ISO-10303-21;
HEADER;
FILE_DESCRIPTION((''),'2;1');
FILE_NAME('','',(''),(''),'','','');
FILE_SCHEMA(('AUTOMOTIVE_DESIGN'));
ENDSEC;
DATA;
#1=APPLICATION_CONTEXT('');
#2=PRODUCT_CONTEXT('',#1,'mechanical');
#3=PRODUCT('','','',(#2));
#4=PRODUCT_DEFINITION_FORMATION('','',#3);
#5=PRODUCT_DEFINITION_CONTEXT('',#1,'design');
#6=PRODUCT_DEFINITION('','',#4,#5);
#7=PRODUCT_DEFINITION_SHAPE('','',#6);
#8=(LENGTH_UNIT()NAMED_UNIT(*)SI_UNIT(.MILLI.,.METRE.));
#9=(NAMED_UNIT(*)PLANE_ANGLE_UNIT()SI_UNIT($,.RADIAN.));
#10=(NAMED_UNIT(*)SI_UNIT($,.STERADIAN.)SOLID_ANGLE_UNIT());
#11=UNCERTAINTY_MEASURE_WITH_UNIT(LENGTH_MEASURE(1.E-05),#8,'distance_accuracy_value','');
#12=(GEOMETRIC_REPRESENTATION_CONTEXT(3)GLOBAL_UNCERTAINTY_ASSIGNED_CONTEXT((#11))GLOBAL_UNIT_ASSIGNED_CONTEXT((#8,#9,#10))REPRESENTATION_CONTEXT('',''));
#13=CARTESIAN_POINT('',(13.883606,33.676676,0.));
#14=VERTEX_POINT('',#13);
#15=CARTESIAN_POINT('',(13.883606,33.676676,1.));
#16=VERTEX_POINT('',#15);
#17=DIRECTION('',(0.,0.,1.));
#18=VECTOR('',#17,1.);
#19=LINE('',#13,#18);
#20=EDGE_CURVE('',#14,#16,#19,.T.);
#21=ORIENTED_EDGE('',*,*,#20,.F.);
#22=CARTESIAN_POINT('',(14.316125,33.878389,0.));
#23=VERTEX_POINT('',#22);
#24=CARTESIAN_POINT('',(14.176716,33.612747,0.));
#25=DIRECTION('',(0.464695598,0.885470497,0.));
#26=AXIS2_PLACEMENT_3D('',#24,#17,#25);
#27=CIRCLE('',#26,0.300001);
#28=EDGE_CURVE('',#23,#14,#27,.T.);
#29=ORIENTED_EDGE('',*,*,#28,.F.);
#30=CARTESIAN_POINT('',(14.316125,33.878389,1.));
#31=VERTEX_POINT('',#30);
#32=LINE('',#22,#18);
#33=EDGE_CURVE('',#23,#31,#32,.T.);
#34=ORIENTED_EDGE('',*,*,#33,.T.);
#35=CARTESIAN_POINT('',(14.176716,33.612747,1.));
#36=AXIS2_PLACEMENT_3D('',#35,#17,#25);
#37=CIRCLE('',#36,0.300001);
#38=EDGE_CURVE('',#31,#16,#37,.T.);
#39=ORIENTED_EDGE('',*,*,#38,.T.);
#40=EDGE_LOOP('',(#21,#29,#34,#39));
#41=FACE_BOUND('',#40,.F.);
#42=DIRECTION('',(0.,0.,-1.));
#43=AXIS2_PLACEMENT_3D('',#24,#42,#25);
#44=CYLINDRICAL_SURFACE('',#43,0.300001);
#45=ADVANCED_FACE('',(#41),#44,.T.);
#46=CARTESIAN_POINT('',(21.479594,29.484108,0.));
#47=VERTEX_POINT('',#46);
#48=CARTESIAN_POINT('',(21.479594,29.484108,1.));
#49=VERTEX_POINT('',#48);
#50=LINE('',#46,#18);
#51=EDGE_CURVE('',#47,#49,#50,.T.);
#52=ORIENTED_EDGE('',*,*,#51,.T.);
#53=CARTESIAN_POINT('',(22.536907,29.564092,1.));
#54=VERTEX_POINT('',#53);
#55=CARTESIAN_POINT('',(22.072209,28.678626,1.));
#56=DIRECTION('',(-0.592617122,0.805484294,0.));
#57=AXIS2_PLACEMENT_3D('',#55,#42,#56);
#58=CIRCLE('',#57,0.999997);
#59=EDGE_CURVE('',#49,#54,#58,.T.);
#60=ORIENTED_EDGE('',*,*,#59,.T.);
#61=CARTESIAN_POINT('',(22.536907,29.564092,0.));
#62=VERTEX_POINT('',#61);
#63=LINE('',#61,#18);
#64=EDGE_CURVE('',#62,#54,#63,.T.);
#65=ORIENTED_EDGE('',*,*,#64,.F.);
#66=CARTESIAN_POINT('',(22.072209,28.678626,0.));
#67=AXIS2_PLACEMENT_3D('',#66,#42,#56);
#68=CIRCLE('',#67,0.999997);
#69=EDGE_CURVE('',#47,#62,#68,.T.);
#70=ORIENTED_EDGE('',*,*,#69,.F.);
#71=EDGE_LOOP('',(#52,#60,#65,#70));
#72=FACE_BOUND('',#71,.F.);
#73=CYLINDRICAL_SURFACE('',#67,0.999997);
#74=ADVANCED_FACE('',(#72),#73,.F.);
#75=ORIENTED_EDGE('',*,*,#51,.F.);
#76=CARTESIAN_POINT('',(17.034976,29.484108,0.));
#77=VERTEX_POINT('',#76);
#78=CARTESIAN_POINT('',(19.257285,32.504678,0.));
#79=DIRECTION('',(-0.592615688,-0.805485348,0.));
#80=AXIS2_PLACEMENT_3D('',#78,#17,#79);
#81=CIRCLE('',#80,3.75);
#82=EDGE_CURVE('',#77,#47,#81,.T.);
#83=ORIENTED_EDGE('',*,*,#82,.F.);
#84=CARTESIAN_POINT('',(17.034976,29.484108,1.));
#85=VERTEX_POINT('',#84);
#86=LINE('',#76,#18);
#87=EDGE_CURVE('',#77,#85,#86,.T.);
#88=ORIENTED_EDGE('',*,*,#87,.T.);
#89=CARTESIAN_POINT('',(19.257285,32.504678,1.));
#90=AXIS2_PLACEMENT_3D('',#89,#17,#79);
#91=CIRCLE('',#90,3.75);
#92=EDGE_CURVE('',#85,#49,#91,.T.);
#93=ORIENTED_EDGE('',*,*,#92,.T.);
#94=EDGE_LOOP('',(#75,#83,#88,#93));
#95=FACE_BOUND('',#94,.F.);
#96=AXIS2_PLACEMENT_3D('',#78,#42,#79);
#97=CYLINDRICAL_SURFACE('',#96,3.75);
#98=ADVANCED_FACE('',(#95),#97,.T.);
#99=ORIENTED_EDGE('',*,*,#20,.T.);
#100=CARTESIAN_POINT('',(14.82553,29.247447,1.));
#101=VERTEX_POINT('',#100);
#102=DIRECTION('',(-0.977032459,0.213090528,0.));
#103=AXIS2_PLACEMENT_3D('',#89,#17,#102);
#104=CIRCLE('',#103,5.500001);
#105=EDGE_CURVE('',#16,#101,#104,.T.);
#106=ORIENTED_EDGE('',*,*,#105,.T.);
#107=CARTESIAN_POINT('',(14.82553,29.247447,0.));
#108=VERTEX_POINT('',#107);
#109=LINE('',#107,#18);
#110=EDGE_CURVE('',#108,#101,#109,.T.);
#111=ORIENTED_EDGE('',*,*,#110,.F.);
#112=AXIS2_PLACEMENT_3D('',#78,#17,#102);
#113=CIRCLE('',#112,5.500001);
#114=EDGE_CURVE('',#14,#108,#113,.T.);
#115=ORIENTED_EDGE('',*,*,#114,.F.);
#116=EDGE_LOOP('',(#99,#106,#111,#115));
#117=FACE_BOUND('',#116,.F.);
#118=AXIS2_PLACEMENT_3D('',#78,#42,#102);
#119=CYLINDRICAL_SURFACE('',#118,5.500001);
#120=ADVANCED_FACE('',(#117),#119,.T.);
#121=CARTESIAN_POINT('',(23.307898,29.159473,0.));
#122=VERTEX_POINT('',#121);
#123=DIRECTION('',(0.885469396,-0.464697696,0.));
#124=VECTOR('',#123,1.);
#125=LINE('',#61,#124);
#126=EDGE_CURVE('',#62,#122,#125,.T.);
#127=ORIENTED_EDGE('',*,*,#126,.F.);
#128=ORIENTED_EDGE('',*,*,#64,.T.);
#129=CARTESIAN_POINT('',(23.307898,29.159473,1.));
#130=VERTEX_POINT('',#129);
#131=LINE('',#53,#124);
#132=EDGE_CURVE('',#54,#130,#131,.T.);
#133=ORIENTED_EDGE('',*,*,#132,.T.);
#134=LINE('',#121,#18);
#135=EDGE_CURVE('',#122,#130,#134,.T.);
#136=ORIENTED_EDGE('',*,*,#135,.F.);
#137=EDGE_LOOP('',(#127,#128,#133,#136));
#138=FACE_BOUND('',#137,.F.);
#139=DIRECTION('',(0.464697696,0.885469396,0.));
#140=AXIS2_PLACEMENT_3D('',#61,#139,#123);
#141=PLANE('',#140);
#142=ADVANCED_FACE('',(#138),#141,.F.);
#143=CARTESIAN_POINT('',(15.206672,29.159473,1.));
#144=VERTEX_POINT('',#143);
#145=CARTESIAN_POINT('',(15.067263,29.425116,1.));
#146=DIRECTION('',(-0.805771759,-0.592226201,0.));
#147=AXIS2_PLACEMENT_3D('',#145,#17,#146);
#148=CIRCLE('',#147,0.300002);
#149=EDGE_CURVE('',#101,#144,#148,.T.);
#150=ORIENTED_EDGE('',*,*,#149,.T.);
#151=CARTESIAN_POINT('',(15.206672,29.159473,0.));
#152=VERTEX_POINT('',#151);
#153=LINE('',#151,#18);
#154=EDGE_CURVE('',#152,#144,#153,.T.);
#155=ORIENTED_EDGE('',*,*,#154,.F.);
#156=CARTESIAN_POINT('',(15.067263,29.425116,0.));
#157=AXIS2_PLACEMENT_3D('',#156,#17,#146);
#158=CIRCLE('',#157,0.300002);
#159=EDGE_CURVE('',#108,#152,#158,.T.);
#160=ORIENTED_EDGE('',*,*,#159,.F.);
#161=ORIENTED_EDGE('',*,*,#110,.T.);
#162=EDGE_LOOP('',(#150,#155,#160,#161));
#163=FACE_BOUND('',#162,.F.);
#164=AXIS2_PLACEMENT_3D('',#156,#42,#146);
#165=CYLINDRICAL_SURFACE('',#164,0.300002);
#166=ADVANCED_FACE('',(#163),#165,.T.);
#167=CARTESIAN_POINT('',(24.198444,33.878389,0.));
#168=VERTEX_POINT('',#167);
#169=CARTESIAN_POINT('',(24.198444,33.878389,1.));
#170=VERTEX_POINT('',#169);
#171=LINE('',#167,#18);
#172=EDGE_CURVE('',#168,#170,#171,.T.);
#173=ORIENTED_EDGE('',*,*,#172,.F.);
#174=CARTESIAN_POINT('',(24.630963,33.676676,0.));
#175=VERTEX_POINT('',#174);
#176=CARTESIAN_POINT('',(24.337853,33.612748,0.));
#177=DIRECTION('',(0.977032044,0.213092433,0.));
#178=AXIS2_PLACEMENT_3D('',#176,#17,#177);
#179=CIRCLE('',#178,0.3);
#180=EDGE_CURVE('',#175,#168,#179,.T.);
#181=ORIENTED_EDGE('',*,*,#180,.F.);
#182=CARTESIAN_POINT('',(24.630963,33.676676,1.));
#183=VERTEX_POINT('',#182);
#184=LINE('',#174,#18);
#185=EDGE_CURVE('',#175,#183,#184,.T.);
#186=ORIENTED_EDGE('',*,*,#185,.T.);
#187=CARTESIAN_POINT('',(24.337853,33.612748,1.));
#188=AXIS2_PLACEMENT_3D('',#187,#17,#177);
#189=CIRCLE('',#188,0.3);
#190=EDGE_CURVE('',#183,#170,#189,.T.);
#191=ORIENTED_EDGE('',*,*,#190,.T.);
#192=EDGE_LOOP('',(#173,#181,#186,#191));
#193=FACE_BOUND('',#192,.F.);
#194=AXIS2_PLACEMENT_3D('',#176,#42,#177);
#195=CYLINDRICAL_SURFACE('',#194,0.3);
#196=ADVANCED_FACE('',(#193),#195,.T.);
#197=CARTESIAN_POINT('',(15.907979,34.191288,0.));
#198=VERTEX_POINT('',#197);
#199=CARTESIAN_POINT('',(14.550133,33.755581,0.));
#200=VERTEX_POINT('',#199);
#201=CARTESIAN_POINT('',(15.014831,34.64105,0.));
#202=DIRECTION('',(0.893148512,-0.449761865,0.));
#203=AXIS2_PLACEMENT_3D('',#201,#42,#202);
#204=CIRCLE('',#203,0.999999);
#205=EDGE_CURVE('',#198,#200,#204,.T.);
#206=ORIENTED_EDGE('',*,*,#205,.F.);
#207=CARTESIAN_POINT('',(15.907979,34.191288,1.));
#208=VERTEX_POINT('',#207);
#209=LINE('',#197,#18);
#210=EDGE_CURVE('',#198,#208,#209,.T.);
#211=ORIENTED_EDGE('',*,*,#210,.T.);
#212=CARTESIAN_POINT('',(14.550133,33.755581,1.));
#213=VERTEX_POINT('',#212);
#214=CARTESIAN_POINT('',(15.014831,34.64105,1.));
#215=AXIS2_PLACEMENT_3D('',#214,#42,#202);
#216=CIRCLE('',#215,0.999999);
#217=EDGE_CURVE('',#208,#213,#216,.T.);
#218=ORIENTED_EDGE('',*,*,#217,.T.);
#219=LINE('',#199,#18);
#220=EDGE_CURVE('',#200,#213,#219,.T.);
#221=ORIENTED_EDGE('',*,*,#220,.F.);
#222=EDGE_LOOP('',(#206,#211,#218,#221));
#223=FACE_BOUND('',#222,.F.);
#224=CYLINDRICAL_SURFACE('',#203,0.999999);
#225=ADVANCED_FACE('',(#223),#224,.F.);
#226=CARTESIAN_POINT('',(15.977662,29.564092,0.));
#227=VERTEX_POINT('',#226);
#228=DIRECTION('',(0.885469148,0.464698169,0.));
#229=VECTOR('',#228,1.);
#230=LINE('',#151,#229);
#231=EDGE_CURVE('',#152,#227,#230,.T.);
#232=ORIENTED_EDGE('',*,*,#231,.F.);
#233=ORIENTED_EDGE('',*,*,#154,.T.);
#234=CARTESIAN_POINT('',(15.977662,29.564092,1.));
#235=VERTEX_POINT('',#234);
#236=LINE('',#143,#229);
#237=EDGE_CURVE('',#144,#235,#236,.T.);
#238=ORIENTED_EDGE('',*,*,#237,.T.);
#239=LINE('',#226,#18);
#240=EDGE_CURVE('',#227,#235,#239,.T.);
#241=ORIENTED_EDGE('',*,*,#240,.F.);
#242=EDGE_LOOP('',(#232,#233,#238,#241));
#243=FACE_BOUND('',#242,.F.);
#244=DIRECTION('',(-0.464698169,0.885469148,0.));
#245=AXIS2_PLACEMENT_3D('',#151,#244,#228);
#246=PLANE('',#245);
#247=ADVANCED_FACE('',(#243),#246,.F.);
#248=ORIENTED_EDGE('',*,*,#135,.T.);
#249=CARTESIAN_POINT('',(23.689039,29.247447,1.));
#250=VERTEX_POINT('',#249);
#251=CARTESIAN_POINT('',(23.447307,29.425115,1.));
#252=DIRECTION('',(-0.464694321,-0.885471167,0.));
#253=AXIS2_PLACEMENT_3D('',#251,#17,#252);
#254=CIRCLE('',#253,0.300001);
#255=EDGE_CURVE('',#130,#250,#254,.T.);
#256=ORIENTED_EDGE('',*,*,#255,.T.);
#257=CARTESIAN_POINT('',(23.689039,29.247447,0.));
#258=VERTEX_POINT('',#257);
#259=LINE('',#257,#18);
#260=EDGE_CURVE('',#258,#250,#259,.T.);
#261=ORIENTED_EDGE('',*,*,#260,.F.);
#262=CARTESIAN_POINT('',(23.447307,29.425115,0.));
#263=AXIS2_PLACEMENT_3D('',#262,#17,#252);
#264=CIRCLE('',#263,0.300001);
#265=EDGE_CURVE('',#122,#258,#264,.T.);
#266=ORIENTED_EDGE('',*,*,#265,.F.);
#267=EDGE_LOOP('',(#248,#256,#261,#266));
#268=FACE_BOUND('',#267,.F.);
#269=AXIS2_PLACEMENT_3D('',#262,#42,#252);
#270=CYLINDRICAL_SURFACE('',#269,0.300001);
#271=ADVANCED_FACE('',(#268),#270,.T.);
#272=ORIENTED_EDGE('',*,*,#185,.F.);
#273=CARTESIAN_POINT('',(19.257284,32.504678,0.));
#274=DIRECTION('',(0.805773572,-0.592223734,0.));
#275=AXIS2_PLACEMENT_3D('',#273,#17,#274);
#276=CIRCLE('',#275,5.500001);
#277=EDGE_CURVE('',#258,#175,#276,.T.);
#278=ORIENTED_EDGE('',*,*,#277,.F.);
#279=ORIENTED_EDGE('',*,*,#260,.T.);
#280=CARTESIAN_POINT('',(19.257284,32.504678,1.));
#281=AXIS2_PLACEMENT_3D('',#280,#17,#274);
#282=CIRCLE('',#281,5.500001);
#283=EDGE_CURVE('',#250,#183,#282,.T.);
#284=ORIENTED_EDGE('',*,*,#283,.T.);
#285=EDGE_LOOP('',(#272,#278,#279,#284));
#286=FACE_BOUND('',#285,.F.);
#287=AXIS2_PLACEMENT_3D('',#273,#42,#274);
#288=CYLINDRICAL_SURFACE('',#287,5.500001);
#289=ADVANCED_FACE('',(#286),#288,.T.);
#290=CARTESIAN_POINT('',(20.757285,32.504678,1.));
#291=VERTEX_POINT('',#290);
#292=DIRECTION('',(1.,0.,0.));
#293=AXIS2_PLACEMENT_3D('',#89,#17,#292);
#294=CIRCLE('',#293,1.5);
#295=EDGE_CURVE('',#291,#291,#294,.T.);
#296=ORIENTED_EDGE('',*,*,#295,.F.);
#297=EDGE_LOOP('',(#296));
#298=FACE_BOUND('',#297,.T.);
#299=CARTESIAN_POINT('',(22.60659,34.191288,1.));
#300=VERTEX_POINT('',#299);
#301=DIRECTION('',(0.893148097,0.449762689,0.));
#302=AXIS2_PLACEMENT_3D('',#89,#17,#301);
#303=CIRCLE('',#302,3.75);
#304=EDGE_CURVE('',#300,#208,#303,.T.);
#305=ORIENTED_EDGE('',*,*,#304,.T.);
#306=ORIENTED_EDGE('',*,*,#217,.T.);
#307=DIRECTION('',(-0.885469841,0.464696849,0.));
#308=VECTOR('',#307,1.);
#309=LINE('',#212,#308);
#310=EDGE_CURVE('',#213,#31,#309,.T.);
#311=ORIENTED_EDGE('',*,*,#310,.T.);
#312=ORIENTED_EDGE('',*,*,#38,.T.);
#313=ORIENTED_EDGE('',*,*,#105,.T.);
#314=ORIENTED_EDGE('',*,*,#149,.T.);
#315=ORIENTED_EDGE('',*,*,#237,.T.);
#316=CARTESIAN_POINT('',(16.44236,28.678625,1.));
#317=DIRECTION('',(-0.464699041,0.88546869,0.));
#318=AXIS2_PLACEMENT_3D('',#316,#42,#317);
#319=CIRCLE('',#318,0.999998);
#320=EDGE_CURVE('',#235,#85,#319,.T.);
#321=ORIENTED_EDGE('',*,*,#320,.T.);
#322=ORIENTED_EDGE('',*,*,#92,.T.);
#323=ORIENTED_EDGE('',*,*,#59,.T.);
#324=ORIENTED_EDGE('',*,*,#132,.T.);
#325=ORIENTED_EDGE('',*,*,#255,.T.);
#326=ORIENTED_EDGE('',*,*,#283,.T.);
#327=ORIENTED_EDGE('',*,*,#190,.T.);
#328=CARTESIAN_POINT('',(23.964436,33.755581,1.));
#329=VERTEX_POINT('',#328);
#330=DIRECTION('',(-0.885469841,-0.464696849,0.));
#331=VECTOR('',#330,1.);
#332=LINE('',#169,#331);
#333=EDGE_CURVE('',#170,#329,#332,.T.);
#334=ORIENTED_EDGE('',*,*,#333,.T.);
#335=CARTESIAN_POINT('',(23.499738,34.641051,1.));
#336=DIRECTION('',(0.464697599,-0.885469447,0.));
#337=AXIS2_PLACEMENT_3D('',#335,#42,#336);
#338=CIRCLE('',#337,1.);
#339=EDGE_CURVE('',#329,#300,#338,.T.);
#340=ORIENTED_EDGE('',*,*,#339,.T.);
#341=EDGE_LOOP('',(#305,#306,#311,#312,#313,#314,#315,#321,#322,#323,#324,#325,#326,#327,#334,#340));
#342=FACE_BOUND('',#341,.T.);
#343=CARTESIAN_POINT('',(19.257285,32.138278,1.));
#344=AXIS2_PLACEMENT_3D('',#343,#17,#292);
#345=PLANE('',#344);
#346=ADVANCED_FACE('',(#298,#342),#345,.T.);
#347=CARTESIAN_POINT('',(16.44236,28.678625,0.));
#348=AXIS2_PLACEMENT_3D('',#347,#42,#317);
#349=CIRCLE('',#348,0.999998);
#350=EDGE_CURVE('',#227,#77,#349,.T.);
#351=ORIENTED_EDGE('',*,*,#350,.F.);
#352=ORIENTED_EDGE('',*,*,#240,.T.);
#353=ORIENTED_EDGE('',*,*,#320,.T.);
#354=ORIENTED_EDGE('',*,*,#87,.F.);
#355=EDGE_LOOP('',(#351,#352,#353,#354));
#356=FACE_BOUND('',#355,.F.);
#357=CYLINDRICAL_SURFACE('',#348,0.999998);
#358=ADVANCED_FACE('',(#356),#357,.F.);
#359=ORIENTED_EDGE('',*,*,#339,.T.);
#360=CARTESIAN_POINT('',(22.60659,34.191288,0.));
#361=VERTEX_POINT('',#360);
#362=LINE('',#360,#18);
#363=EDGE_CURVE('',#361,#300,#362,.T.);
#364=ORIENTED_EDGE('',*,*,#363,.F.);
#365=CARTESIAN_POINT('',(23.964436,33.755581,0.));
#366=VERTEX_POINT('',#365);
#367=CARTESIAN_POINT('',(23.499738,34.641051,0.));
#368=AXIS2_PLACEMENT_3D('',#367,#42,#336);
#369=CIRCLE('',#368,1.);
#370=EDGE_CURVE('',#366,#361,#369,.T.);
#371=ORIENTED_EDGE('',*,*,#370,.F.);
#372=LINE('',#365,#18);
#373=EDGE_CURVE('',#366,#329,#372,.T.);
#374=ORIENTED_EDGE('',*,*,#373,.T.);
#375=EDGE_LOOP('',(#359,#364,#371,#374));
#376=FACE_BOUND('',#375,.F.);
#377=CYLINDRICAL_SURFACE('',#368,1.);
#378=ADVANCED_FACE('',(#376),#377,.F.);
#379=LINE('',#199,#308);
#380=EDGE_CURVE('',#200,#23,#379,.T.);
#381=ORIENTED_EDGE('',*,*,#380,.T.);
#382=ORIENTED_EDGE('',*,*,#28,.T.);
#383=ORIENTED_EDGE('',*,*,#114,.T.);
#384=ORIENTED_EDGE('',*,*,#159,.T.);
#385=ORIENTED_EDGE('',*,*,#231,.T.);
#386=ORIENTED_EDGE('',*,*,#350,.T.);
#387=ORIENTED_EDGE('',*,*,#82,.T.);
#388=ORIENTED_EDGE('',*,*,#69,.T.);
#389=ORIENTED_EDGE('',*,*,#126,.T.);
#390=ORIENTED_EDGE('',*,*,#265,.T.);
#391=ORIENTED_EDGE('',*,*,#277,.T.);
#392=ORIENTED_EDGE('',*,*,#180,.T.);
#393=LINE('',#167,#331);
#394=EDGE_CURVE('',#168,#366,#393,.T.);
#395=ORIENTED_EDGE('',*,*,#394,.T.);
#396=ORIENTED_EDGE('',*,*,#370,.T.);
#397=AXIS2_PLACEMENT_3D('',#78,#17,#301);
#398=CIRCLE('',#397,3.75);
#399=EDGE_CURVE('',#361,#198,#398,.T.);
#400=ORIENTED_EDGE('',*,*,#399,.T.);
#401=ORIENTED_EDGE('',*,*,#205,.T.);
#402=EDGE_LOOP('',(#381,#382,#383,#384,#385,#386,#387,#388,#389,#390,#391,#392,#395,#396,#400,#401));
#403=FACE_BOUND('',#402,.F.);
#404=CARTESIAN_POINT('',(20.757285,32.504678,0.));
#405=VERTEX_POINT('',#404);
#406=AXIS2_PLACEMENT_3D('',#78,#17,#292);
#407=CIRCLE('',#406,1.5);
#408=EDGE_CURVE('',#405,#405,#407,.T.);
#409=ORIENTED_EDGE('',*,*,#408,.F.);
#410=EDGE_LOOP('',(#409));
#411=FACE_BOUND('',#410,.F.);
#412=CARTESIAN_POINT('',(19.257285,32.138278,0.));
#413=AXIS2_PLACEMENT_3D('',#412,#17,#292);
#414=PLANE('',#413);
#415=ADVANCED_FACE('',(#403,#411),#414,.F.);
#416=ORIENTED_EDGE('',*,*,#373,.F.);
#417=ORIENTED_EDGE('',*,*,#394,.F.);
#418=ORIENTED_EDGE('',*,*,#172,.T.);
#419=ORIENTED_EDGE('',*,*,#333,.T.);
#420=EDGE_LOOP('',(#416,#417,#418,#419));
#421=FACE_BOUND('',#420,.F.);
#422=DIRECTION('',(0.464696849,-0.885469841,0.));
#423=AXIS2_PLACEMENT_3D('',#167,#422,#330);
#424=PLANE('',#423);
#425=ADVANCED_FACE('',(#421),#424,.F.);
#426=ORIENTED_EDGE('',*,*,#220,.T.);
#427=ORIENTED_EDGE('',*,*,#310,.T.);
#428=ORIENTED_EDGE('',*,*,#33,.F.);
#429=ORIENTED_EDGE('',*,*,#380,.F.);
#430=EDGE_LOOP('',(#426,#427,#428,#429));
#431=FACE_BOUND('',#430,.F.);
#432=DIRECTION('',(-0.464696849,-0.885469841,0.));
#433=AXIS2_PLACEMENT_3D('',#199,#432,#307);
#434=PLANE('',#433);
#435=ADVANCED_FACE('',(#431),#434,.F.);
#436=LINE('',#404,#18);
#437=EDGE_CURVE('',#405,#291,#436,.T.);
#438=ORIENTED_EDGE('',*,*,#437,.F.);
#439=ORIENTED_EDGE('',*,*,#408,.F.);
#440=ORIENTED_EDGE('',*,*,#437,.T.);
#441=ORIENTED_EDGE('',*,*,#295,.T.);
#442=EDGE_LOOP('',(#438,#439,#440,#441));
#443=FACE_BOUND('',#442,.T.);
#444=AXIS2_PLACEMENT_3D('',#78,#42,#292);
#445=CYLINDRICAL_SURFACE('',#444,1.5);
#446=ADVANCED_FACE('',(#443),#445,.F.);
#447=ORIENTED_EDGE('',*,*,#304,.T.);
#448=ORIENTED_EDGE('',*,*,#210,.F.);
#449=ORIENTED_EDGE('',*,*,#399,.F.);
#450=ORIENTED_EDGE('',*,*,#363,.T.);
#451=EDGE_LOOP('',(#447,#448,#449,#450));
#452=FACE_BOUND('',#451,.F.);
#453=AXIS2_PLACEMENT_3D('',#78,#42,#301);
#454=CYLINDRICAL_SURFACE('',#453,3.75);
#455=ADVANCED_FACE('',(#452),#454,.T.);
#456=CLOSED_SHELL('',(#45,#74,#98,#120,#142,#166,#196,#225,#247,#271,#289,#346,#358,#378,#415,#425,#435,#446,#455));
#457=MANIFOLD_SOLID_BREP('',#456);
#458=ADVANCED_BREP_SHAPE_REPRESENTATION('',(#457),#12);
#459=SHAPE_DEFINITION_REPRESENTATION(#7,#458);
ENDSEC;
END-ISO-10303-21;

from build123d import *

# Parameters (mm, degrees)
F0_R     = 1.5
F1_DEPTH = 1


with BuildPart() as f1:
    # F0 (on Top) → F1 (new body)
    with BuildSketch(Plane.XY):
        with BuildLine():
            ThreePointArc((14.316125, 33.878389), (14.049917, 33.884634), (13.883606, 33.676676))
            ThreePointArc((13.883606, 33.676676), (13.877587, 31.360626), (14.82553, 29.247447))
            ThreePointArc((14.82553, 29.247447), (14.999791, 29.1328), (15.206672, 29.159473))
            Line((15.206672, 29.159473), (15.977662, 29.564092))
            ThreePointArc((15.977662, 29.564092), (16.517793, 29.675774), (17.034976, 29.484108))
            ThreePointArc((17.034976, 29.484108), (19.257285, 28.754678), (21.479594, 29.484108))
            ThreePointArc((21.479594, 29.484108), (21.996777, 29.675774), (22.536907, 29.564092))
            Line((22.536907, 29.564092), (23.307898, 29.159473))
            ThreePointArc((23.307898, 29.159473), (23.514778, 29.1328), (23.689039, 29.247447))
            ThreePointArc((23.689039, 29.247447), (24.636982, 31.360626), (24.630963, 33.676676))
            ThreePointArc((24.630963, 33.676676), (24.464653, 33.884634), (24.198444, 33.878389))
            Line((24.198444, 33.878389), (23.964436, 33.755581))
            ThreePointArc((23.964436, 33.755581), (23.194202, 33.68887), (22.60659, 34.191288))
            ThreePointArc((22.60659, 34.191288), (19.257285, 36.254678), (15.907979, 34.191288))
            ThreePointArc((15.907979, 34.191288), (15.320368, 33.68887), (14.550133, 33.755581))
            Line((14.550133, 33.755581), (14.316125, 33.878389))
        make_face()
        with Locations((19.257285, 32.504678)):
            Circle(F0_R, mode=Mode.SUBTRACT)
    extrude(amount=F1_DEPTH)


solid = f1.part
